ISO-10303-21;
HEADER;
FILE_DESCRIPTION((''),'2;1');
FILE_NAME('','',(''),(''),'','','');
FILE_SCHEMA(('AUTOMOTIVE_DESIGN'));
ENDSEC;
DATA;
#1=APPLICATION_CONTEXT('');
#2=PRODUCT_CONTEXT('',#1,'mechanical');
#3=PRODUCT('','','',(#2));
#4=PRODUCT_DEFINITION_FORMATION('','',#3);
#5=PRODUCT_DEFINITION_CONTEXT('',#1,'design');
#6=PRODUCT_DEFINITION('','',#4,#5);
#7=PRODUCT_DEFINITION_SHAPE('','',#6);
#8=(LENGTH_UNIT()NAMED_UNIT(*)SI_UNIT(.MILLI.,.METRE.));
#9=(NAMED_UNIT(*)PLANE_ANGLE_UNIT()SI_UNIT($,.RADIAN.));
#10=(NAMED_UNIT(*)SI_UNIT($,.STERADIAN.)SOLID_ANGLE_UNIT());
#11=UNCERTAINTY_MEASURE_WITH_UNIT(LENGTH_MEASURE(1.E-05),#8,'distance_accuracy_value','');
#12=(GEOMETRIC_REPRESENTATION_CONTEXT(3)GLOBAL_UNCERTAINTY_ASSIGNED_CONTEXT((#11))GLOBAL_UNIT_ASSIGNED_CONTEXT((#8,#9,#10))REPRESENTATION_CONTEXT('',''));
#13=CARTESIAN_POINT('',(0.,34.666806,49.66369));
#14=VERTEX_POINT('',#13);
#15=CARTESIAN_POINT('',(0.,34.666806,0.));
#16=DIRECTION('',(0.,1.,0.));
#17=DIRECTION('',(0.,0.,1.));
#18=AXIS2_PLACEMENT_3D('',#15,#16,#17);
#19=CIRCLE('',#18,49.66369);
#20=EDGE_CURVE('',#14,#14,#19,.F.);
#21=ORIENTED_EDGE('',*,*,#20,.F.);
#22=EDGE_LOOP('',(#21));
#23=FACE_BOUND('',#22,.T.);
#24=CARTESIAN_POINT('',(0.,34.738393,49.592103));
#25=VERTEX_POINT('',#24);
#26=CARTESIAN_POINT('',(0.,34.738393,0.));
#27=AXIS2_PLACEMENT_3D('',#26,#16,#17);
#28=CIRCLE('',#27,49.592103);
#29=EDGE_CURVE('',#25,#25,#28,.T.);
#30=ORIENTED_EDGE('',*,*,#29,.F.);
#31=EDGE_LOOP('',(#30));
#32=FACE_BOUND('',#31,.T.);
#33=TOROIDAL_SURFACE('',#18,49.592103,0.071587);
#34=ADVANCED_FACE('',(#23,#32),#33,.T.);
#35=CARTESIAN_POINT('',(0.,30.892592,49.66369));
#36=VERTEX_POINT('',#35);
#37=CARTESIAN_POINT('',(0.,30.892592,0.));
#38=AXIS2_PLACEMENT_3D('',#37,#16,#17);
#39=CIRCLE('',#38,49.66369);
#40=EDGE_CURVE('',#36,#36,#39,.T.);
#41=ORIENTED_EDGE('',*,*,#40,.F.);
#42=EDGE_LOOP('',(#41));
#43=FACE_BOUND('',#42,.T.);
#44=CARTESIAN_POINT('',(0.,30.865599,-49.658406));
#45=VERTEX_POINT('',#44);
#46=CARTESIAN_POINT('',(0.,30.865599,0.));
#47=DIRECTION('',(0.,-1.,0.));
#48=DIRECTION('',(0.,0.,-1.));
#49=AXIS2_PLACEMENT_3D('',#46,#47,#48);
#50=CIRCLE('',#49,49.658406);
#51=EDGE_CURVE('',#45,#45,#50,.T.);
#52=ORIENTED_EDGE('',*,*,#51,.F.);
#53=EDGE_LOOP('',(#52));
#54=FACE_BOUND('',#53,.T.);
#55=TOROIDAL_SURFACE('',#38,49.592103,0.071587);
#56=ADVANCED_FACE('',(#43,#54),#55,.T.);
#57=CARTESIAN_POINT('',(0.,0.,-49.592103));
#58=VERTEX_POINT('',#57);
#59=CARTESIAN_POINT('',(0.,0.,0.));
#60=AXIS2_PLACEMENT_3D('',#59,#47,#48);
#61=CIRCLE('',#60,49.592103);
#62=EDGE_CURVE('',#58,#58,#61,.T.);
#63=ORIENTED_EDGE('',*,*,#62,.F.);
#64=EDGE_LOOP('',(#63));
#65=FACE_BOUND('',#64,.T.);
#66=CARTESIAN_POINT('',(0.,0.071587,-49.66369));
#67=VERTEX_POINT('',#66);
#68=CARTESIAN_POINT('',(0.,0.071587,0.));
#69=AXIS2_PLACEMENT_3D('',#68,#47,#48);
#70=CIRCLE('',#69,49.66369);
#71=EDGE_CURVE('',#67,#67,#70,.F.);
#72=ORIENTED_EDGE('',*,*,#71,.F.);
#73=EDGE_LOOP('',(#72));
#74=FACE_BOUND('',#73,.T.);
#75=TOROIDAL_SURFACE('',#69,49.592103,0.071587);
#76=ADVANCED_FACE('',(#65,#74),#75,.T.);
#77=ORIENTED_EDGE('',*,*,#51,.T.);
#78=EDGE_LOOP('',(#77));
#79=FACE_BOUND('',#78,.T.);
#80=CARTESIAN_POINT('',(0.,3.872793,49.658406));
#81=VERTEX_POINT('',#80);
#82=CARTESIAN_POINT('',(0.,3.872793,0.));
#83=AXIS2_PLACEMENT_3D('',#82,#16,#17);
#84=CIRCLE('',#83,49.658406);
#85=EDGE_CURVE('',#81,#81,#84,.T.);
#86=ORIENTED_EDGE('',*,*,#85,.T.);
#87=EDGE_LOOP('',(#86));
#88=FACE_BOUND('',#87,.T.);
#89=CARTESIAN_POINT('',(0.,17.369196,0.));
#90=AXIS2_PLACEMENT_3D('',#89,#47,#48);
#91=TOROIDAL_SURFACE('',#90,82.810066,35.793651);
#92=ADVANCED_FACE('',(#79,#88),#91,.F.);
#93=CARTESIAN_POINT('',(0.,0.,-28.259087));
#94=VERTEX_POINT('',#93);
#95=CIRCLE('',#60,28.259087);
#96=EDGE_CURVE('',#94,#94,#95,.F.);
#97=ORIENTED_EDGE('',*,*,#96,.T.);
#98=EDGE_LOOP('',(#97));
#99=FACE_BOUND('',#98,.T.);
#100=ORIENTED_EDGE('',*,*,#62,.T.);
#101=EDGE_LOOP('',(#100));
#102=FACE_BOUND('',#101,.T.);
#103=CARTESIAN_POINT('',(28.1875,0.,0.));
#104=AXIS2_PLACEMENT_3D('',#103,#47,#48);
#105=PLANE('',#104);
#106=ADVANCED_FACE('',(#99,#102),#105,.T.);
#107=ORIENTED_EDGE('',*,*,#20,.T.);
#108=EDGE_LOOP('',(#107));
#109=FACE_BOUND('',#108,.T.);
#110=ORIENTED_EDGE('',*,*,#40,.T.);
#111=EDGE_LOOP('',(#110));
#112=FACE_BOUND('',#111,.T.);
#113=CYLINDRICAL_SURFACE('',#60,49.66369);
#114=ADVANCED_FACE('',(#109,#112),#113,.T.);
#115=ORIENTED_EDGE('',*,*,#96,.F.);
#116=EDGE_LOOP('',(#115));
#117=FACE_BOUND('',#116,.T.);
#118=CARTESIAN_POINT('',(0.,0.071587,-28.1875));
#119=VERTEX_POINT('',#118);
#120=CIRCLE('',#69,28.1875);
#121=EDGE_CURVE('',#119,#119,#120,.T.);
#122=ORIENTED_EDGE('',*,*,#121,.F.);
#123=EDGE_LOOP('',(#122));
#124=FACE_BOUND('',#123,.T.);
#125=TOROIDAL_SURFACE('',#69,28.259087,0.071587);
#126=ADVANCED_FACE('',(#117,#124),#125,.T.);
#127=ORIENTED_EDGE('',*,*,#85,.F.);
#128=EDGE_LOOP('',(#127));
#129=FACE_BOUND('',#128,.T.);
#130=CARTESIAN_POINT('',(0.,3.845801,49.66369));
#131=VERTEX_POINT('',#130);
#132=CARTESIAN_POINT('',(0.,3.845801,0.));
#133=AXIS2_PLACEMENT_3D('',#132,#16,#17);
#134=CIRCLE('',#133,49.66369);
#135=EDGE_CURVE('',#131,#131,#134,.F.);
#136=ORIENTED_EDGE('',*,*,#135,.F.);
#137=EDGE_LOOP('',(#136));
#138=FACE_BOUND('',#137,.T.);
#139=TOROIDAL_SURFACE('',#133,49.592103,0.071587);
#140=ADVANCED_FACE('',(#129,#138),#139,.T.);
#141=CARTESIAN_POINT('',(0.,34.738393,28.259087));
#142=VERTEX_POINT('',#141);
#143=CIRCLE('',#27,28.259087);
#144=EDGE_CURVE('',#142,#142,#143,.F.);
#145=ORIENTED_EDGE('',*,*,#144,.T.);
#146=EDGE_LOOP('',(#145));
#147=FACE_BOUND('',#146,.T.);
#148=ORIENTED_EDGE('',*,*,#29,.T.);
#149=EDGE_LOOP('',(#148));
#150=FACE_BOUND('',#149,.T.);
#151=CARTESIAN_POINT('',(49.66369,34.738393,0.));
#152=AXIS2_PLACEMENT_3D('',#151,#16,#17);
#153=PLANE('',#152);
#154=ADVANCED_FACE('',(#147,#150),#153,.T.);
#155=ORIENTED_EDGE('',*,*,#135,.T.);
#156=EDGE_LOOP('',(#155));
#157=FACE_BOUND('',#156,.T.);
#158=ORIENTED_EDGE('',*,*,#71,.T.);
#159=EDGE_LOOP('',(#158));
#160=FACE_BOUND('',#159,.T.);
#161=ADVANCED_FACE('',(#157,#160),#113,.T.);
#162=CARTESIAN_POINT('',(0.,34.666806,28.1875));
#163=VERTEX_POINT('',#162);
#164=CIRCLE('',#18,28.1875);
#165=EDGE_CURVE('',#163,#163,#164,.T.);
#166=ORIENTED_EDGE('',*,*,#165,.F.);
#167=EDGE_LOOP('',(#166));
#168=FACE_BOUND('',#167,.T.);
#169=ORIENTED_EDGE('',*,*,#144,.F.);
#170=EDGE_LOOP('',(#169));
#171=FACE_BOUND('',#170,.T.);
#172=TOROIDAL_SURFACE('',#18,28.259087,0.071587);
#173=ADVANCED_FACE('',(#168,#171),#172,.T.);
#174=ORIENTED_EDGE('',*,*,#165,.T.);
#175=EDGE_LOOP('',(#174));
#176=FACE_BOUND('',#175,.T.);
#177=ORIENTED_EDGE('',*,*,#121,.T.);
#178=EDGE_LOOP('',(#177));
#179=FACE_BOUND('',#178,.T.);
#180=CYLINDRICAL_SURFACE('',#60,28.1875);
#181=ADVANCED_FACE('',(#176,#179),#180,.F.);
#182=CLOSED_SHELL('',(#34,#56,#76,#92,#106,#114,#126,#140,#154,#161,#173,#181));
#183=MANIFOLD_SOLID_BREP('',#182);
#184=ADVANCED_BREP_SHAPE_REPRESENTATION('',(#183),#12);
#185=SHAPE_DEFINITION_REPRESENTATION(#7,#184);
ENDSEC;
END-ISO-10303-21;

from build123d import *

# Parameters (mm, degrees)
FILLET1_R = 0.071587302


with BuildPart() as part:
    # Sketch1 → Revolve1 (revolve)
    with BuildSketch(Plane.XY, mode=Mode.PRIVATE) as revolve1_sk:
        with BuildLine():
            Line((49.663690476, 34.738392842), (28.1875, 34.738392842))
            Line((28.1875, 34.738392842), (28.1875, 0))
            Line((28.1875, 0), (49.663690476, 0))
            Line((49.663690476, 0), (49.663690476, 3.859821429))
            ThreePointArc((49.663690476, 3.859821429), (47.016415419, 17.369196421), (49.663690476, 30.878571413))
            Line((49.663690476, 30.878571413), (49.663690476, 34.738392842))
        make_face()
    revolve(revolve1_sk.sketch.rotate(Axis((0, 0, 0), (0, 1, 0)), 90), axis=Axis((0, 0, 0), (0, 1, 0)))

    # Fillet1
    fillet1_edges = [part.edges().sort_by_distance(p)[0] for p in [
        (0, 34.738392842, 28.1875),
        (0, 34.738392842, 49.663690476),
        (0, 30.878571413, 49.663690476),
        (0, 3.859821429, 49.663690476),
        (0, 0, 49.663690476),
        (0, 0, 28.1875),
    ]]
    fillet(fillet1_edges, radius=FILLET1_R)


solid = part.part
